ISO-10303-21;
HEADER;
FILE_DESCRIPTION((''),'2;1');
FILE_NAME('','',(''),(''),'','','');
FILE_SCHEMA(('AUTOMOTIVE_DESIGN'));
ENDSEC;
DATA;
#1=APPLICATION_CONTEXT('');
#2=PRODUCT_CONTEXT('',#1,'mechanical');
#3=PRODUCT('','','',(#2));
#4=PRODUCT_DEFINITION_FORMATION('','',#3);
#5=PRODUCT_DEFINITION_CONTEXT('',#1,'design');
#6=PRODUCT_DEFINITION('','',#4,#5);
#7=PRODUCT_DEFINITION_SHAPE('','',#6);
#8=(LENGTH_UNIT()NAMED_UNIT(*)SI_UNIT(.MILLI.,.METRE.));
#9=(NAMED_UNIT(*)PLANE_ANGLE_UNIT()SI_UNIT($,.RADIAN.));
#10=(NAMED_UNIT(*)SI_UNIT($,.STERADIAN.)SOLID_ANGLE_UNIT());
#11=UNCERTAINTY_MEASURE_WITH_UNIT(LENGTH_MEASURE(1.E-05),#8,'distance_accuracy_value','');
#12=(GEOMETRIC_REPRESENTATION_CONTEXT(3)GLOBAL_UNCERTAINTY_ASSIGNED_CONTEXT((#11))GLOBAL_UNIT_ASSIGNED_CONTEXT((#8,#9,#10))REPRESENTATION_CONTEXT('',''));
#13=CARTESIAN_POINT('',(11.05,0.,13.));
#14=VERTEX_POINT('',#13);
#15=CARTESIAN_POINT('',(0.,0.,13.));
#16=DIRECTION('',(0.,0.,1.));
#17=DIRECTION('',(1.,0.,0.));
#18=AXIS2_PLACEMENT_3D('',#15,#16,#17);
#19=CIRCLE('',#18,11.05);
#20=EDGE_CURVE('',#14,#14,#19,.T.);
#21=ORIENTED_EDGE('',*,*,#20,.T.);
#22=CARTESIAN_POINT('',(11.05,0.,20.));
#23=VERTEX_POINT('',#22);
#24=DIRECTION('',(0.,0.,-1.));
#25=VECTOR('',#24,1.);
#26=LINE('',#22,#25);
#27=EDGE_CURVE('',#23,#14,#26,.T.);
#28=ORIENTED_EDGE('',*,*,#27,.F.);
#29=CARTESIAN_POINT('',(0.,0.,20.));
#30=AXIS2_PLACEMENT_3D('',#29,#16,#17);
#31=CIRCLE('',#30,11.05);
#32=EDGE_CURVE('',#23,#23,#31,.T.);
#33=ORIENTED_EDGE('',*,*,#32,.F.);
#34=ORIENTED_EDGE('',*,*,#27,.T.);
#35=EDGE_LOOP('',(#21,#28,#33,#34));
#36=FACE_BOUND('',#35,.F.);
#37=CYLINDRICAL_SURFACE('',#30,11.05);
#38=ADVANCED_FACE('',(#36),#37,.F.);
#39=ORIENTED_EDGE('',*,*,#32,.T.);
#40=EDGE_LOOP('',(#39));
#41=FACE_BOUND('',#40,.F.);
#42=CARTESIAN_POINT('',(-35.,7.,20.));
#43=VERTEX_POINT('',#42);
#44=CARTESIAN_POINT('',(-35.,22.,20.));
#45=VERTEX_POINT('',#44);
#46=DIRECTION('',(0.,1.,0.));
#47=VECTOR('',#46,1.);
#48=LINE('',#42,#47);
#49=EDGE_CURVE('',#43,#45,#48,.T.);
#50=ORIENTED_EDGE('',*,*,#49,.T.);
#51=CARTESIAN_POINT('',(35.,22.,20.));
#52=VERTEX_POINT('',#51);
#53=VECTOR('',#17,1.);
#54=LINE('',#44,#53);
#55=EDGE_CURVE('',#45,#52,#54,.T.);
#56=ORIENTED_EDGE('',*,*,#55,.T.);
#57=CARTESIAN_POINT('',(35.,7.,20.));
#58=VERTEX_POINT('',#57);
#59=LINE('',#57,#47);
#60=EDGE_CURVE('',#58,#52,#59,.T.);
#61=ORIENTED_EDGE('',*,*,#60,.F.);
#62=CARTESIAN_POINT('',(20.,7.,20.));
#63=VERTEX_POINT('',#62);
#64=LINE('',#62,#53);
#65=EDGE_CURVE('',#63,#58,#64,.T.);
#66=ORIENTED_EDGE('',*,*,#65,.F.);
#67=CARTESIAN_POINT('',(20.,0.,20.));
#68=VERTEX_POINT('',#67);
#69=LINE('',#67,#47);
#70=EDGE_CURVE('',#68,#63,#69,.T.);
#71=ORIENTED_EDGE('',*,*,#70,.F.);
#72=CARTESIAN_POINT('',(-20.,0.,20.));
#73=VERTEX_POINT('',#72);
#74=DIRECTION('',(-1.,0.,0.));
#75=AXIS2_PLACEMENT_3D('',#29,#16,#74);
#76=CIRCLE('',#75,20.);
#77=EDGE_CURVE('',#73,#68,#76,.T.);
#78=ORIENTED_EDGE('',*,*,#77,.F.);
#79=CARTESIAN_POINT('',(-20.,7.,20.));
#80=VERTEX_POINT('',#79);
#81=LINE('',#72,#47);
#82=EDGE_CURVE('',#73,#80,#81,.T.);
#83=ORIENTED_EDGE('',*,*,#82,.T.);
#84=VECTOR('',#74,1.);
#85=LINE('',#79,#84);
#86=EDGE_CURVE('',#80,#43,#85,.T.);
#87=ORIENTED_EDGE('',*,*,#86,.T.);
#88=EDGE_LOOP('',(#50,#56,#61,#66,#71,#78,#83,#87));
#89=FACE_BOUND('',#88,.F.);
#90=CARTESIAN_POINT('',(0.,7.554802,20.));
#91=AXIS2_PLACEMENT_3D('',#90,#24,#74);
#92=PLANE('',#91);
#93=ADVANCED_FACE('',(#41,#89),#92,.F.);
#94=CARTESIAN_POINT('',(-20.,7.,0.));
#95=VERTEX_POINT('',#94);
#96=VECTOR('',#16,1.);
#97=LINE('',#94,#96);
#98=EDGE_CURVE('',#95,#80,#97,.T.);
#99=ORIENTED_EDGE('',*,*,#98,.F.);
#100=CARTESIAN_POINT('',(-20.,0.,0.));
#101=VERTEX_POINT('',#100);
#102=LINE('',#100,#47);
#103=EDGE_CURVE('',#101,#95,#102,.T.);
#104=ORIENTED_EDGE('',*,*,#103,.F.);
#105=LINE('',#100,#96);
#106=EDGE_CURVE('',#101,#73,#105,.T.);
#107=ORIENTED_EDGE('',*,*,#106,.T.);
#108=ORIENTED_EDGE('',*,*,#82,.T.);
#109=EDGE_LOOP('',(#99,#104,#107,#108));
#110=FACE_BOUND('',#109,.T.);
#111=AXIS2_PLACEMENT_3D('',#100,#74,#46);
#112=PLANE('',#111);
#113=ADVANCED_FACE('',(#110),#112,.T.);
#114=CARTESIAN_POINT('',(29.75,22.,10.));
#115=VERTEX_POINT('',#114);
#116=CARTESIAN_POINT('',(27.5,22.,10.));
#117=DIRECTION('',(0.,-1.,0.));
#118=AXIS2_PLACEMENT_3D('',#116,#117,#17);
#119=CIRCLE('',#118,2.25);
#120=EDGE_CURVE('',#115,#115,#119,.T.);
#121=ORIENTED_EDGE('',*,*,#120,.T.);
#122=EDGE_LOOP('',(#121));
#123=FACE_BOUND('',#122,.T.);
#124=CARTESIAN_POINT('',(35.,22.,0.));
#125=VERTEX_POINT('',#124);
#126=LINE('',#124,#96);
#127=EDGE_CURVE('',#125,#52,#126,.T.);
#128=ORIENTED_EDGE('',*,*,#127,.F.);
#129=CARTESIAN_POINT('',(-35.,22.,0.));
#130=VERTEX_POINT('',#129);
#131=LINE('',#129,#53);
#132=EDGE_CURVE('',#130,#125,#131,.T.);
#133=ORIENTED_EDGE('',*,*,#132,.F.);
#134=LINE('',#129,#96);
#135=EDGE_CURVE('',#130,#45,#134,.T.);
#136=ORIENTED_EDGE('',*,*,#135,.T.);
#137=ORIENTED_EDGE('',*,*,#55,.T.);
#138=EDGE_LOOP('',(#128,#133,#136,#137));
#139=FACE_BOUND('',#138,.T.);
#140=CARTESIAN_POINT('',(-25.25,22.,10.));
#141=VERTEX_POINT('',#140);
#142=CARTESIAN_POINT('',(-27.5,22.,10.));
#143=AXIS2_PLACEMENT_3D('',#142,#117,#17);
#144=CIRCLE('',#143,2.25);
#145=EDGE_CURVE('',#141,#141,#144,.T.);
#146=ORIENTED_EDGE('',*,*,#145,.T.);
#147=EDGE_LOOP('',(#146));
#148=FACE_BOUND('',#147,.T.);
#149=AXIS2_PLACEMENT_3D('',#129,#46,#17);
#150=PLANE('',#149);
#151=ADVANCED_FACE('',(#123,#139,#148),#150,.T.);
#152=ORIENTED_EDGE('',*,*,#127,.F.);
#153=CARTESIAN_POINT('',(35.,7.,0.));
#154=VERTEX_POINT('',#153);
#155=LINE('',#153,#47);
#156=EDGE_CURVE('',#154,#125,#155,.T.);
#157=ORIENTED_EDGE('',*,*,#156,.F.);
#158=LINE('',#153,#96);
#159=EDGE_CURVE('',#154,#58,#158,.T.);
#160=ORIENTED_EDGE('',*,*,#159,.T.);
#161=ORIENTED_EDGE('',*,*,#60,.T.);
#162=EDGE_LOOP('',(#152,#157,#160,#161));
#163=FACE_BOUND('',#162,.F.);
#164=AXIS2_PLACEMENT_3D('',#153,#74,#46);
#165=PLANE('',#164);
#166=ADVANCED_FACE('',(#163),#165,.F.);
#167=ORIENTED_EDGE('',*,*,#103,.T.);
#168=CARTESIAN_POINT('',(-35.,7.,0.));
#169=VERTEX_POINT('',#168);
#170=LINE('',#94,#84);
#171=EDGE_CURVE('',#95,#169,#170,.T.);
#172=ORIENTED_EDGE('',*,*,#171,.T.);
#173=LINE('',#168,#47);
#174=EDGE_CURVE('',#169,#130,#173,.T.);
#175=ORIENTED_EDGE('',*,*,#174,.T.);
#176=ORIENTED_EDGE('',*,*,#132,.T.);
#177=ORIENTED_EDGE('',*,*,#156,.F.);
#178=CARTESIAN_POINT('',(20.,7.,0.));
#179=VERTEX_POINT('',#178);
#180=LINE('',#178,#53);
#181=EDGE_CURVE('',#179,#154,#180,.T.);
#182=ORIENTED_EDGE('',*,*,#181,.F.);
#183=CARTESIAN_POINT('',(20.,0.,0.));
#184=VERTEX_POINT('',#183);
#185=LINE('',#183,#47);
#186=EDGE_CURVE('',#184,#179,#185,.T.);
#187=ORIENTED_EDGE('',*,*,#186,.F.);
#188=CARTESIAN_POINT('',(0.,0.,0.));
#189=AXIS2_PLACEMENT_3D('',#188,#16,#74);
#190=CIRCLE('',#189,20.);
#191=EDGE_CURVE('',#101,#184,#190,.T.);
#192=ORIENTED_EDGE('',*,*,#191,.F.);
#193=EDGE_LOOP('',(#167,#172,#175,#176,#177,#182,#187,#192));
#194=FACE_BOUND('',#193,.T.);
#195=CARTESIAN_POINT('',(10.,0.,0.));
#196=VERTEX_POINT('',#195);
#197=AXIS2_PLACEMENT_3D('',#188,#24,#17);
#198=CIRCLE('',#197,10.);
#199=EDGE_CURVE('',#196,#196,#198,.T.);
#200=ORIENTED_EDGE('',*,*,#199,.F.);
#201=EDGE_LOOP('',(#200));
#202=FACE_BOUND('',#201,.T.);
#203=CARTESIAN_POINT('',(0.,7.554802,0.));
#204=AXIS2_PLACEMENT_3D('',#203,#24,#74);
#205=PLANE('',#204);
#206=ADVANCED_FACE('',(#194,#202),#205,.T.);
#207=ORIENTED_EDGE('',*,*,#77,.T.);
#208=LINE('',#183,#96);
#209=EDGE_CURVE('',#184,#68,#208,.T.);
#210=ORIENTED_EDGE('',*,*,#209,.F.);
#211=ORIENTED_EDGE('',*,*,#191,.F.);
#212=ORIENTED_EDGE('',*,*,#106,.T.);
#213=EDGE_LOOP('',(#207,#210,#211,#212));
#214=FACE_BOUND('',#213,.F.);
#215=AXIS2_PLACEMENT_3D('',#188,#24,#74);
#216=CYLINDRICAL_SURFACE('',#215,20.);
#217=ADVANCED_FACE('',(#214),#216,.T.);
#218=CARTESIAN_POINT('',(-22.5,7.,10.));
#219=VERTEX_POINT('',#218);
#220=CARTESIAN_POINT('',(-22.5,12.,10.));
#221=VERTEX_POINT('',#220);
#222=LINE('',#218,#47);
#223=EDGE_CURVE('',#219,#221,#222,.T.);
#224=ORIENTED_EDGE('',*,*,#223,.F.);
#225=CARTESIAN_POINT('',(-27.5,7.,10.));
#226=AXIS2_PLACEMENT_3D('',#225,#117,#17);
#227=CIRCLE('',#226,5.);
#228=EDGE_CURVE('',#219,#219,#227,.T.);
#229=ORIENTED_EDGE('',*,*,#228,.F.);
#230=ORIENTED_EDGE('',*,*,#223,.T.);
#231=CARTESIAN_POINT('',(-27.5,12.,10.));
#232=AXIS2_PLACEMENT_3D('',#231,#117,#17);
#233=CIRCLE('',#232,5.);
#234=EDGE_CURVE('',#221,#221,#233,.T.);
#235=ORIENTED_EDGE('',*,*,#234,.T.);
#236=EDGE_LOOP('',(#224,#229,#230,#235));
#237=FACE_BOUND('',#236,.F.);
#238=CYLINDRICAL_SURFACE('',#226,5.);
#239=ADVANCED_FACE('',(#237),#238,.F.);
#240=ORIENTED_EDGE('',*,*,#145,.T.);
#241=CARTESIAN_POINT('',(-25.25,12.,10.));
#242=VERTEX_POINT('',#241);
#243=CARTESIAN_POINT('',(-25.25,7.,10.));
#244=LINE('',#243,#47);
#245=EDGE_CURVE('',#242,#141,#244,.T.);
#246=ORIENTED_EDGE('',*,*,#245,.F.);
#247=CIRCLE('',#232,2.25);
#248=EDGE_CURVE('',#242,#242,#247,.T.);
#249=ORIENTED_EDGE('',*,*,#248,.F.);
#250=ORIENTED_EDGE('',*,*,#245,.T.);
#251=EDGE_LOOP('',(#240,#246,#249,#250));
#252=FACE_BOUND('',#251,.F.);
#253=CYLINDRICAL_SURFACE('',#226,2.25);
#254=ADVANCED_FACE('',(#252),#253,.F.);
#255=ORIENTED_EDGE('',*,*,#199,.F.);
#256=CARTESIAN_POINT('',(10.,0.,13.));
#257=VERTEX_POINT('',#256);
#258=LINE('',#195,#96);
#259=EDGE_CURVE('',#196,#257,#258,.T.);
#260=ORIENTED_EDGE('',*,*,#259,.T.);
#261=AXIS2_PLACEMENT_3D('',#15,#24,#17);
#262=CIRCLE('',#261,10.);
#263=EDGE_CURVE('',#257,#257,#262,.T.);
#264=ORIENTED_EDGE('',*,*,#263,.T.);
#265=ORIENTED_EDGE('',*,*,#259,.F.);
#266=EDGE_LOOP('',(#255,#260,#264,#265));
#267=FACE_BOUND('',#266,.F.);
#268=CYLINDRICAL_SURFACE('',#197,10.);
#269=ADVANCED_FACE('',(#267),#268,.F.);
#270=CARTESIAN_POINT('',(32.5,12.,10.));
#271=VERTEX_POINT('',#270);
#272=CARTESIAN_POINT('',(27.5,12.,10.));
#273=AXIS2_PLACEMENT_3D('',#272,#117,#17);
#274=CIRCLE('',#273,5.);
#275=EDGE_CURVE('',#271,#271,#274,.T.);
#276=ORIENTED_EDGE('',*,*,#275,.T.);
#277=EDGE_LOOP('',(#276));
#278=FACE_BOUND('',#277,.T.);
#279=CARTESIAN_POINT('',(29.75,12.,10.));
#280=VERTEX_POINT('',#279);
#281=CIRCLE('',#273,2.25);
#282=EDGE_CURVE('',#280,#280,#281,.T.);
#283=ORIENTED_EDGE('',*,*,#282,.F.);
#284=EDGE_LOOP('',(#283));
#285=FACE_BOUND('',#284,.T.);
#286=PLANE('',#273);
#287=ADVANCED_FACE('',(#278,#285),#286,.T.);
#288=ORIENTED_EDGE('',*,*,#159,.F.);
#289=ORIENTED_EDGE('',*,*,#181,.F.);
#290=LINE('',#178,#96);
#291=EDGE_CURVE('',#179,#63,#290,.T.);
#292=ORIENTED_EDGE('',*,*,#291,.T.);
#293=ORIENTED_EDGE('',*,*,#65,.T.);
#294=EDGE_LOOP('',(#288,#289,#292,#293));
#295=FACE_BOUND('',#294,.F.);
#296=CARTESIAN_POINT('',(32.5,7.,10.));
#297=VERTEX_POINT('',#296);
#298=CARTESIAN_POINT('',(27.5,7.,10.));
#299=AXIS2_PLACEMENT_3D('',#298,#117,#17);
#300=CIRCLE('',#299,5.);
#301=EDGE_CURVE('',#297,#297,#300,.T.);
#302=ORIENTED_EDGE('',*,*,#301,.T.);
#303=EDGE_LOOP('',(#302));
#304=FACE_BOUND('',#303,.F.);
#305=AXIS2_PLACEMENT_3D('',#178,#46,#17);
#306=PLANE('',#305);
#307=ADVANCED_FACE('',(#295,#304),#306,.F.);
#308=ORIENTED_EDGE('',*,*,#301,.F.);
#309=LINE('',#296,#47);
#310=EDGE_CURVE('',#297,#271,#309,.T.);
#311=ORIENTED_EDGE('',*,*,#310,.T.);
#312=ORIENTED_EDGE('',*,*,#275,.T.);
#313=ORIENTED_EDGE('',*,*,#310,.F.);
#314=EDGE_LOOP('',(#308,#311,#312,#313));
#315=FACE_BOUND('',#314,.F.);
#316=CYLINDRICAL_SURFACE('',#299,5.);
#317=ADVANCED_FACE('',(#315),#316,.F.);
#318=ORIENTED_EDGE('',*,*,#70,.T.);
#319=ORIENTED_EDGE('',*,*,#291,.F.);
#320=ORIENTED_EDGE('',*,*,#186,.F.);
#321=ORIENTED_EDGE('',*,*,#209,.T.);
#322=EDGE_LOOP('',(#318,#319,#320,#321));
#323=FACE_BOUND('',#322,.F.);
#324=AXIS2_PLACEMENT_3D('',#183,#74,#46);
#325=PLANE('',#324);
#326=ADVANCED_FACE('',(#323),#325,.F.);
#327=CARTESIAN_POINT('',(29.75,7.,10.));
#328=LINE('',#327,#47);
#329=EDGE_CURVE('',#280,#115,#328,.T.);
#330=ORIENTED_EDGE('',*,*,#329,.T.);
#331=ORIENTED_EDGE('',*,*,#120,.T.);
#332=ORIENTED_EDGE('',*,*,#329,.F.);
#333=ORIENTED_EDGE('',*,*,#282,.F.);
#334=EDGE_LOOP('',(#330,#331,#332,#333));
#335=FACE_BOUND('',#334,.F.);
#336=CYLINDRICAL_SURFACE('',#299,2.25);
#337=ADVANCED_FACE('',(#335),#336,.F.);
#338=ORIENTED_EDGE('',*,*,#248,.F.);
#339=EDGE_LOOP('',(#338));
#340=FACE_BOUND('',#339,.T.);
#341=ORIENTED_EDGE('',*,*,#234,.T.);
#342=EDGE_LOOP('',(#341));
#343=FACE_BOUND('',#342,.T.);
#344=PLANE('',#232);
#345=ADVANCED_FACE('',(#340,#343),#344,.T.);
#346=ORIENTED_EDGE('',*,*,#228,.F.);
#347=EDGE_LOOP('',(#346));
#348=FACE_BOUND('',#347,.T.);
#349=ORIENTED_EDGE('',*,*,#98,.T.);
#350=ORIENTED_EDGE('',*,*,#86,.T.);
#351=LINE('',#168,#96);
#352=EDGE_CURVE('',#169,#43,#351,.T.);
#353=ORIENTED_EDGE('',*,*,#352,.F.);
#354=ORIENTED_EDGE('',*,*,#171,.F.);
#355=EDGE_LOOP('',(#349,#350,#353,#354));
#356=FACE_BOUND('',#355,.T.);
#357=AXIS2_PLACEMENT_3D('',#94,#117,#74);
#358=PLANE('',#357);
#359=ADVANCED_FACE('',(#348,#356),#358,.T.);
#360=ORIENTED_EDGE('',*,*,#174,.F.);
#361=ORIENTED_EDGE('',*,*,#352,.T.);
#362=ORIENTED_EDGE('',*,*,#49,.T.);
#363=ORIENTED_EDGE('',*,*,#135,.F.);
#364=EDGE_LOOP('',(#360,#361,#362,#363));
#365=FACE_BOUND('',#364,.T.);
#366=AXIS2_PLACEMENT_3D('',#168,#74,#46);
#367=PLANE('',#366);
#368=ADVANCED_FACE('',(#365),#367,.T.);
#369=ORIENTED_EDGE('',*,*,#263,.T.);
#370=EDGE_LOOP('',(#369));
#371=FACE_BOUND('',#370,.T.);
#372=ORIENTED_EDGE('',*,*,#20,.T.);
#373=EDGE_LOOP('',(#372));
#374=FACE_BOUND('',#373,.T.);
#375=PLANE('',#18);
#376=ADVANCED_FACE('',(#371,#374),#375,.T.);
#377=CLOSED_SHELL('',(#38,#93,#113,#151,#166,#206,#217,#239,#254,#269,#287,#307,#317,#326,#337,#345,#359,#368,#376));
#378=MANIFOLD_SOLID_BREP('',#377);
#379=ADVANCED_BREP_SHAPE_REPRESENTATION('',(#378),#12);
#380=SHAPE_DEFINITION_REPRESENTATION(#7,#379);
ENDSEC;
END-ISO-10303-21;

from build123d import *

# Parameters (mm, degrees)
PAD_DEPTH       = 20
SKETCH006_R     = 10
POCKET_DEPTH    = 20.001
SKETCH005_R     = 11.05
POCKET001_DEPTH = 7
SKETCH002_R     = 2.25
POCKET002_DEPTH = 15.001
SKETCH003_R     = 5
POCKET003_DEPTH = 5


with BuildPart() as part:
    # Sketch → Pad (new body)
    with BuildSketch(Plane.XY):
        with BuildLine():
            Line((-35, 22), (35, 22))
            Line((35, 7), (35, 22))
            Line((20, 7), (35, 7))
            Line((20, 0), (20, 7))
            ThreePointArc((-20, 0), (0, -20), (20, 0))
            Line((-20, 0), (-20, 7))
            Line((-20, 7), (-35, 7))
            Line((-35, 7), (-35, 22))
        make_face()
    extrude(amount=PAD_DEPTH)

    # Sketch006 → Pocket (cut, through all)
    with BuildSketch(Plane(origin=(0, 0, 0), x_dir=(1, 0, 0), z_dir=(0, 0, -1))):
        Circle(SKETCH006_R)
    extrude(amount=-POCKET_DEPTH, mode=Mode.SUBTRACT)

    # Sketch005 → Pocket001 (cut)
    with BuildSketch(Plane.XY.offset(20)):
        Circle(SKETCH005_R)
    extrude(amount=-POCKET001_DEPTH, mode=Mode.SUBTRACT)

    # Sketch002 → Pocket002 (cut, through all)
    with BuildSketch(Plane.XZ.offset(-7)):
        with Locations((-27.5, 10)):
            Circle(SKETCH002_R)
        with Locations((27.5, 10)):
            Circle(SKETCH002_R)
    extrude(amount=-POCKET002_DEPTH, mode=Mode.SUBTRACT)

    # Sketch003 → Pocket003 (cut)
    with BuildSketch(Plane.XZ.offset(-7)):
        with Locations((-27.5, 10)):
            Circle(SKETCH003_R)
        with Locations((27.5, 10)):
            Circle(SKETCH003_R)
    extrude(amount=-POCKET003_DEPTH, mode=Mode.SUBTRACT)


solid = part.part
